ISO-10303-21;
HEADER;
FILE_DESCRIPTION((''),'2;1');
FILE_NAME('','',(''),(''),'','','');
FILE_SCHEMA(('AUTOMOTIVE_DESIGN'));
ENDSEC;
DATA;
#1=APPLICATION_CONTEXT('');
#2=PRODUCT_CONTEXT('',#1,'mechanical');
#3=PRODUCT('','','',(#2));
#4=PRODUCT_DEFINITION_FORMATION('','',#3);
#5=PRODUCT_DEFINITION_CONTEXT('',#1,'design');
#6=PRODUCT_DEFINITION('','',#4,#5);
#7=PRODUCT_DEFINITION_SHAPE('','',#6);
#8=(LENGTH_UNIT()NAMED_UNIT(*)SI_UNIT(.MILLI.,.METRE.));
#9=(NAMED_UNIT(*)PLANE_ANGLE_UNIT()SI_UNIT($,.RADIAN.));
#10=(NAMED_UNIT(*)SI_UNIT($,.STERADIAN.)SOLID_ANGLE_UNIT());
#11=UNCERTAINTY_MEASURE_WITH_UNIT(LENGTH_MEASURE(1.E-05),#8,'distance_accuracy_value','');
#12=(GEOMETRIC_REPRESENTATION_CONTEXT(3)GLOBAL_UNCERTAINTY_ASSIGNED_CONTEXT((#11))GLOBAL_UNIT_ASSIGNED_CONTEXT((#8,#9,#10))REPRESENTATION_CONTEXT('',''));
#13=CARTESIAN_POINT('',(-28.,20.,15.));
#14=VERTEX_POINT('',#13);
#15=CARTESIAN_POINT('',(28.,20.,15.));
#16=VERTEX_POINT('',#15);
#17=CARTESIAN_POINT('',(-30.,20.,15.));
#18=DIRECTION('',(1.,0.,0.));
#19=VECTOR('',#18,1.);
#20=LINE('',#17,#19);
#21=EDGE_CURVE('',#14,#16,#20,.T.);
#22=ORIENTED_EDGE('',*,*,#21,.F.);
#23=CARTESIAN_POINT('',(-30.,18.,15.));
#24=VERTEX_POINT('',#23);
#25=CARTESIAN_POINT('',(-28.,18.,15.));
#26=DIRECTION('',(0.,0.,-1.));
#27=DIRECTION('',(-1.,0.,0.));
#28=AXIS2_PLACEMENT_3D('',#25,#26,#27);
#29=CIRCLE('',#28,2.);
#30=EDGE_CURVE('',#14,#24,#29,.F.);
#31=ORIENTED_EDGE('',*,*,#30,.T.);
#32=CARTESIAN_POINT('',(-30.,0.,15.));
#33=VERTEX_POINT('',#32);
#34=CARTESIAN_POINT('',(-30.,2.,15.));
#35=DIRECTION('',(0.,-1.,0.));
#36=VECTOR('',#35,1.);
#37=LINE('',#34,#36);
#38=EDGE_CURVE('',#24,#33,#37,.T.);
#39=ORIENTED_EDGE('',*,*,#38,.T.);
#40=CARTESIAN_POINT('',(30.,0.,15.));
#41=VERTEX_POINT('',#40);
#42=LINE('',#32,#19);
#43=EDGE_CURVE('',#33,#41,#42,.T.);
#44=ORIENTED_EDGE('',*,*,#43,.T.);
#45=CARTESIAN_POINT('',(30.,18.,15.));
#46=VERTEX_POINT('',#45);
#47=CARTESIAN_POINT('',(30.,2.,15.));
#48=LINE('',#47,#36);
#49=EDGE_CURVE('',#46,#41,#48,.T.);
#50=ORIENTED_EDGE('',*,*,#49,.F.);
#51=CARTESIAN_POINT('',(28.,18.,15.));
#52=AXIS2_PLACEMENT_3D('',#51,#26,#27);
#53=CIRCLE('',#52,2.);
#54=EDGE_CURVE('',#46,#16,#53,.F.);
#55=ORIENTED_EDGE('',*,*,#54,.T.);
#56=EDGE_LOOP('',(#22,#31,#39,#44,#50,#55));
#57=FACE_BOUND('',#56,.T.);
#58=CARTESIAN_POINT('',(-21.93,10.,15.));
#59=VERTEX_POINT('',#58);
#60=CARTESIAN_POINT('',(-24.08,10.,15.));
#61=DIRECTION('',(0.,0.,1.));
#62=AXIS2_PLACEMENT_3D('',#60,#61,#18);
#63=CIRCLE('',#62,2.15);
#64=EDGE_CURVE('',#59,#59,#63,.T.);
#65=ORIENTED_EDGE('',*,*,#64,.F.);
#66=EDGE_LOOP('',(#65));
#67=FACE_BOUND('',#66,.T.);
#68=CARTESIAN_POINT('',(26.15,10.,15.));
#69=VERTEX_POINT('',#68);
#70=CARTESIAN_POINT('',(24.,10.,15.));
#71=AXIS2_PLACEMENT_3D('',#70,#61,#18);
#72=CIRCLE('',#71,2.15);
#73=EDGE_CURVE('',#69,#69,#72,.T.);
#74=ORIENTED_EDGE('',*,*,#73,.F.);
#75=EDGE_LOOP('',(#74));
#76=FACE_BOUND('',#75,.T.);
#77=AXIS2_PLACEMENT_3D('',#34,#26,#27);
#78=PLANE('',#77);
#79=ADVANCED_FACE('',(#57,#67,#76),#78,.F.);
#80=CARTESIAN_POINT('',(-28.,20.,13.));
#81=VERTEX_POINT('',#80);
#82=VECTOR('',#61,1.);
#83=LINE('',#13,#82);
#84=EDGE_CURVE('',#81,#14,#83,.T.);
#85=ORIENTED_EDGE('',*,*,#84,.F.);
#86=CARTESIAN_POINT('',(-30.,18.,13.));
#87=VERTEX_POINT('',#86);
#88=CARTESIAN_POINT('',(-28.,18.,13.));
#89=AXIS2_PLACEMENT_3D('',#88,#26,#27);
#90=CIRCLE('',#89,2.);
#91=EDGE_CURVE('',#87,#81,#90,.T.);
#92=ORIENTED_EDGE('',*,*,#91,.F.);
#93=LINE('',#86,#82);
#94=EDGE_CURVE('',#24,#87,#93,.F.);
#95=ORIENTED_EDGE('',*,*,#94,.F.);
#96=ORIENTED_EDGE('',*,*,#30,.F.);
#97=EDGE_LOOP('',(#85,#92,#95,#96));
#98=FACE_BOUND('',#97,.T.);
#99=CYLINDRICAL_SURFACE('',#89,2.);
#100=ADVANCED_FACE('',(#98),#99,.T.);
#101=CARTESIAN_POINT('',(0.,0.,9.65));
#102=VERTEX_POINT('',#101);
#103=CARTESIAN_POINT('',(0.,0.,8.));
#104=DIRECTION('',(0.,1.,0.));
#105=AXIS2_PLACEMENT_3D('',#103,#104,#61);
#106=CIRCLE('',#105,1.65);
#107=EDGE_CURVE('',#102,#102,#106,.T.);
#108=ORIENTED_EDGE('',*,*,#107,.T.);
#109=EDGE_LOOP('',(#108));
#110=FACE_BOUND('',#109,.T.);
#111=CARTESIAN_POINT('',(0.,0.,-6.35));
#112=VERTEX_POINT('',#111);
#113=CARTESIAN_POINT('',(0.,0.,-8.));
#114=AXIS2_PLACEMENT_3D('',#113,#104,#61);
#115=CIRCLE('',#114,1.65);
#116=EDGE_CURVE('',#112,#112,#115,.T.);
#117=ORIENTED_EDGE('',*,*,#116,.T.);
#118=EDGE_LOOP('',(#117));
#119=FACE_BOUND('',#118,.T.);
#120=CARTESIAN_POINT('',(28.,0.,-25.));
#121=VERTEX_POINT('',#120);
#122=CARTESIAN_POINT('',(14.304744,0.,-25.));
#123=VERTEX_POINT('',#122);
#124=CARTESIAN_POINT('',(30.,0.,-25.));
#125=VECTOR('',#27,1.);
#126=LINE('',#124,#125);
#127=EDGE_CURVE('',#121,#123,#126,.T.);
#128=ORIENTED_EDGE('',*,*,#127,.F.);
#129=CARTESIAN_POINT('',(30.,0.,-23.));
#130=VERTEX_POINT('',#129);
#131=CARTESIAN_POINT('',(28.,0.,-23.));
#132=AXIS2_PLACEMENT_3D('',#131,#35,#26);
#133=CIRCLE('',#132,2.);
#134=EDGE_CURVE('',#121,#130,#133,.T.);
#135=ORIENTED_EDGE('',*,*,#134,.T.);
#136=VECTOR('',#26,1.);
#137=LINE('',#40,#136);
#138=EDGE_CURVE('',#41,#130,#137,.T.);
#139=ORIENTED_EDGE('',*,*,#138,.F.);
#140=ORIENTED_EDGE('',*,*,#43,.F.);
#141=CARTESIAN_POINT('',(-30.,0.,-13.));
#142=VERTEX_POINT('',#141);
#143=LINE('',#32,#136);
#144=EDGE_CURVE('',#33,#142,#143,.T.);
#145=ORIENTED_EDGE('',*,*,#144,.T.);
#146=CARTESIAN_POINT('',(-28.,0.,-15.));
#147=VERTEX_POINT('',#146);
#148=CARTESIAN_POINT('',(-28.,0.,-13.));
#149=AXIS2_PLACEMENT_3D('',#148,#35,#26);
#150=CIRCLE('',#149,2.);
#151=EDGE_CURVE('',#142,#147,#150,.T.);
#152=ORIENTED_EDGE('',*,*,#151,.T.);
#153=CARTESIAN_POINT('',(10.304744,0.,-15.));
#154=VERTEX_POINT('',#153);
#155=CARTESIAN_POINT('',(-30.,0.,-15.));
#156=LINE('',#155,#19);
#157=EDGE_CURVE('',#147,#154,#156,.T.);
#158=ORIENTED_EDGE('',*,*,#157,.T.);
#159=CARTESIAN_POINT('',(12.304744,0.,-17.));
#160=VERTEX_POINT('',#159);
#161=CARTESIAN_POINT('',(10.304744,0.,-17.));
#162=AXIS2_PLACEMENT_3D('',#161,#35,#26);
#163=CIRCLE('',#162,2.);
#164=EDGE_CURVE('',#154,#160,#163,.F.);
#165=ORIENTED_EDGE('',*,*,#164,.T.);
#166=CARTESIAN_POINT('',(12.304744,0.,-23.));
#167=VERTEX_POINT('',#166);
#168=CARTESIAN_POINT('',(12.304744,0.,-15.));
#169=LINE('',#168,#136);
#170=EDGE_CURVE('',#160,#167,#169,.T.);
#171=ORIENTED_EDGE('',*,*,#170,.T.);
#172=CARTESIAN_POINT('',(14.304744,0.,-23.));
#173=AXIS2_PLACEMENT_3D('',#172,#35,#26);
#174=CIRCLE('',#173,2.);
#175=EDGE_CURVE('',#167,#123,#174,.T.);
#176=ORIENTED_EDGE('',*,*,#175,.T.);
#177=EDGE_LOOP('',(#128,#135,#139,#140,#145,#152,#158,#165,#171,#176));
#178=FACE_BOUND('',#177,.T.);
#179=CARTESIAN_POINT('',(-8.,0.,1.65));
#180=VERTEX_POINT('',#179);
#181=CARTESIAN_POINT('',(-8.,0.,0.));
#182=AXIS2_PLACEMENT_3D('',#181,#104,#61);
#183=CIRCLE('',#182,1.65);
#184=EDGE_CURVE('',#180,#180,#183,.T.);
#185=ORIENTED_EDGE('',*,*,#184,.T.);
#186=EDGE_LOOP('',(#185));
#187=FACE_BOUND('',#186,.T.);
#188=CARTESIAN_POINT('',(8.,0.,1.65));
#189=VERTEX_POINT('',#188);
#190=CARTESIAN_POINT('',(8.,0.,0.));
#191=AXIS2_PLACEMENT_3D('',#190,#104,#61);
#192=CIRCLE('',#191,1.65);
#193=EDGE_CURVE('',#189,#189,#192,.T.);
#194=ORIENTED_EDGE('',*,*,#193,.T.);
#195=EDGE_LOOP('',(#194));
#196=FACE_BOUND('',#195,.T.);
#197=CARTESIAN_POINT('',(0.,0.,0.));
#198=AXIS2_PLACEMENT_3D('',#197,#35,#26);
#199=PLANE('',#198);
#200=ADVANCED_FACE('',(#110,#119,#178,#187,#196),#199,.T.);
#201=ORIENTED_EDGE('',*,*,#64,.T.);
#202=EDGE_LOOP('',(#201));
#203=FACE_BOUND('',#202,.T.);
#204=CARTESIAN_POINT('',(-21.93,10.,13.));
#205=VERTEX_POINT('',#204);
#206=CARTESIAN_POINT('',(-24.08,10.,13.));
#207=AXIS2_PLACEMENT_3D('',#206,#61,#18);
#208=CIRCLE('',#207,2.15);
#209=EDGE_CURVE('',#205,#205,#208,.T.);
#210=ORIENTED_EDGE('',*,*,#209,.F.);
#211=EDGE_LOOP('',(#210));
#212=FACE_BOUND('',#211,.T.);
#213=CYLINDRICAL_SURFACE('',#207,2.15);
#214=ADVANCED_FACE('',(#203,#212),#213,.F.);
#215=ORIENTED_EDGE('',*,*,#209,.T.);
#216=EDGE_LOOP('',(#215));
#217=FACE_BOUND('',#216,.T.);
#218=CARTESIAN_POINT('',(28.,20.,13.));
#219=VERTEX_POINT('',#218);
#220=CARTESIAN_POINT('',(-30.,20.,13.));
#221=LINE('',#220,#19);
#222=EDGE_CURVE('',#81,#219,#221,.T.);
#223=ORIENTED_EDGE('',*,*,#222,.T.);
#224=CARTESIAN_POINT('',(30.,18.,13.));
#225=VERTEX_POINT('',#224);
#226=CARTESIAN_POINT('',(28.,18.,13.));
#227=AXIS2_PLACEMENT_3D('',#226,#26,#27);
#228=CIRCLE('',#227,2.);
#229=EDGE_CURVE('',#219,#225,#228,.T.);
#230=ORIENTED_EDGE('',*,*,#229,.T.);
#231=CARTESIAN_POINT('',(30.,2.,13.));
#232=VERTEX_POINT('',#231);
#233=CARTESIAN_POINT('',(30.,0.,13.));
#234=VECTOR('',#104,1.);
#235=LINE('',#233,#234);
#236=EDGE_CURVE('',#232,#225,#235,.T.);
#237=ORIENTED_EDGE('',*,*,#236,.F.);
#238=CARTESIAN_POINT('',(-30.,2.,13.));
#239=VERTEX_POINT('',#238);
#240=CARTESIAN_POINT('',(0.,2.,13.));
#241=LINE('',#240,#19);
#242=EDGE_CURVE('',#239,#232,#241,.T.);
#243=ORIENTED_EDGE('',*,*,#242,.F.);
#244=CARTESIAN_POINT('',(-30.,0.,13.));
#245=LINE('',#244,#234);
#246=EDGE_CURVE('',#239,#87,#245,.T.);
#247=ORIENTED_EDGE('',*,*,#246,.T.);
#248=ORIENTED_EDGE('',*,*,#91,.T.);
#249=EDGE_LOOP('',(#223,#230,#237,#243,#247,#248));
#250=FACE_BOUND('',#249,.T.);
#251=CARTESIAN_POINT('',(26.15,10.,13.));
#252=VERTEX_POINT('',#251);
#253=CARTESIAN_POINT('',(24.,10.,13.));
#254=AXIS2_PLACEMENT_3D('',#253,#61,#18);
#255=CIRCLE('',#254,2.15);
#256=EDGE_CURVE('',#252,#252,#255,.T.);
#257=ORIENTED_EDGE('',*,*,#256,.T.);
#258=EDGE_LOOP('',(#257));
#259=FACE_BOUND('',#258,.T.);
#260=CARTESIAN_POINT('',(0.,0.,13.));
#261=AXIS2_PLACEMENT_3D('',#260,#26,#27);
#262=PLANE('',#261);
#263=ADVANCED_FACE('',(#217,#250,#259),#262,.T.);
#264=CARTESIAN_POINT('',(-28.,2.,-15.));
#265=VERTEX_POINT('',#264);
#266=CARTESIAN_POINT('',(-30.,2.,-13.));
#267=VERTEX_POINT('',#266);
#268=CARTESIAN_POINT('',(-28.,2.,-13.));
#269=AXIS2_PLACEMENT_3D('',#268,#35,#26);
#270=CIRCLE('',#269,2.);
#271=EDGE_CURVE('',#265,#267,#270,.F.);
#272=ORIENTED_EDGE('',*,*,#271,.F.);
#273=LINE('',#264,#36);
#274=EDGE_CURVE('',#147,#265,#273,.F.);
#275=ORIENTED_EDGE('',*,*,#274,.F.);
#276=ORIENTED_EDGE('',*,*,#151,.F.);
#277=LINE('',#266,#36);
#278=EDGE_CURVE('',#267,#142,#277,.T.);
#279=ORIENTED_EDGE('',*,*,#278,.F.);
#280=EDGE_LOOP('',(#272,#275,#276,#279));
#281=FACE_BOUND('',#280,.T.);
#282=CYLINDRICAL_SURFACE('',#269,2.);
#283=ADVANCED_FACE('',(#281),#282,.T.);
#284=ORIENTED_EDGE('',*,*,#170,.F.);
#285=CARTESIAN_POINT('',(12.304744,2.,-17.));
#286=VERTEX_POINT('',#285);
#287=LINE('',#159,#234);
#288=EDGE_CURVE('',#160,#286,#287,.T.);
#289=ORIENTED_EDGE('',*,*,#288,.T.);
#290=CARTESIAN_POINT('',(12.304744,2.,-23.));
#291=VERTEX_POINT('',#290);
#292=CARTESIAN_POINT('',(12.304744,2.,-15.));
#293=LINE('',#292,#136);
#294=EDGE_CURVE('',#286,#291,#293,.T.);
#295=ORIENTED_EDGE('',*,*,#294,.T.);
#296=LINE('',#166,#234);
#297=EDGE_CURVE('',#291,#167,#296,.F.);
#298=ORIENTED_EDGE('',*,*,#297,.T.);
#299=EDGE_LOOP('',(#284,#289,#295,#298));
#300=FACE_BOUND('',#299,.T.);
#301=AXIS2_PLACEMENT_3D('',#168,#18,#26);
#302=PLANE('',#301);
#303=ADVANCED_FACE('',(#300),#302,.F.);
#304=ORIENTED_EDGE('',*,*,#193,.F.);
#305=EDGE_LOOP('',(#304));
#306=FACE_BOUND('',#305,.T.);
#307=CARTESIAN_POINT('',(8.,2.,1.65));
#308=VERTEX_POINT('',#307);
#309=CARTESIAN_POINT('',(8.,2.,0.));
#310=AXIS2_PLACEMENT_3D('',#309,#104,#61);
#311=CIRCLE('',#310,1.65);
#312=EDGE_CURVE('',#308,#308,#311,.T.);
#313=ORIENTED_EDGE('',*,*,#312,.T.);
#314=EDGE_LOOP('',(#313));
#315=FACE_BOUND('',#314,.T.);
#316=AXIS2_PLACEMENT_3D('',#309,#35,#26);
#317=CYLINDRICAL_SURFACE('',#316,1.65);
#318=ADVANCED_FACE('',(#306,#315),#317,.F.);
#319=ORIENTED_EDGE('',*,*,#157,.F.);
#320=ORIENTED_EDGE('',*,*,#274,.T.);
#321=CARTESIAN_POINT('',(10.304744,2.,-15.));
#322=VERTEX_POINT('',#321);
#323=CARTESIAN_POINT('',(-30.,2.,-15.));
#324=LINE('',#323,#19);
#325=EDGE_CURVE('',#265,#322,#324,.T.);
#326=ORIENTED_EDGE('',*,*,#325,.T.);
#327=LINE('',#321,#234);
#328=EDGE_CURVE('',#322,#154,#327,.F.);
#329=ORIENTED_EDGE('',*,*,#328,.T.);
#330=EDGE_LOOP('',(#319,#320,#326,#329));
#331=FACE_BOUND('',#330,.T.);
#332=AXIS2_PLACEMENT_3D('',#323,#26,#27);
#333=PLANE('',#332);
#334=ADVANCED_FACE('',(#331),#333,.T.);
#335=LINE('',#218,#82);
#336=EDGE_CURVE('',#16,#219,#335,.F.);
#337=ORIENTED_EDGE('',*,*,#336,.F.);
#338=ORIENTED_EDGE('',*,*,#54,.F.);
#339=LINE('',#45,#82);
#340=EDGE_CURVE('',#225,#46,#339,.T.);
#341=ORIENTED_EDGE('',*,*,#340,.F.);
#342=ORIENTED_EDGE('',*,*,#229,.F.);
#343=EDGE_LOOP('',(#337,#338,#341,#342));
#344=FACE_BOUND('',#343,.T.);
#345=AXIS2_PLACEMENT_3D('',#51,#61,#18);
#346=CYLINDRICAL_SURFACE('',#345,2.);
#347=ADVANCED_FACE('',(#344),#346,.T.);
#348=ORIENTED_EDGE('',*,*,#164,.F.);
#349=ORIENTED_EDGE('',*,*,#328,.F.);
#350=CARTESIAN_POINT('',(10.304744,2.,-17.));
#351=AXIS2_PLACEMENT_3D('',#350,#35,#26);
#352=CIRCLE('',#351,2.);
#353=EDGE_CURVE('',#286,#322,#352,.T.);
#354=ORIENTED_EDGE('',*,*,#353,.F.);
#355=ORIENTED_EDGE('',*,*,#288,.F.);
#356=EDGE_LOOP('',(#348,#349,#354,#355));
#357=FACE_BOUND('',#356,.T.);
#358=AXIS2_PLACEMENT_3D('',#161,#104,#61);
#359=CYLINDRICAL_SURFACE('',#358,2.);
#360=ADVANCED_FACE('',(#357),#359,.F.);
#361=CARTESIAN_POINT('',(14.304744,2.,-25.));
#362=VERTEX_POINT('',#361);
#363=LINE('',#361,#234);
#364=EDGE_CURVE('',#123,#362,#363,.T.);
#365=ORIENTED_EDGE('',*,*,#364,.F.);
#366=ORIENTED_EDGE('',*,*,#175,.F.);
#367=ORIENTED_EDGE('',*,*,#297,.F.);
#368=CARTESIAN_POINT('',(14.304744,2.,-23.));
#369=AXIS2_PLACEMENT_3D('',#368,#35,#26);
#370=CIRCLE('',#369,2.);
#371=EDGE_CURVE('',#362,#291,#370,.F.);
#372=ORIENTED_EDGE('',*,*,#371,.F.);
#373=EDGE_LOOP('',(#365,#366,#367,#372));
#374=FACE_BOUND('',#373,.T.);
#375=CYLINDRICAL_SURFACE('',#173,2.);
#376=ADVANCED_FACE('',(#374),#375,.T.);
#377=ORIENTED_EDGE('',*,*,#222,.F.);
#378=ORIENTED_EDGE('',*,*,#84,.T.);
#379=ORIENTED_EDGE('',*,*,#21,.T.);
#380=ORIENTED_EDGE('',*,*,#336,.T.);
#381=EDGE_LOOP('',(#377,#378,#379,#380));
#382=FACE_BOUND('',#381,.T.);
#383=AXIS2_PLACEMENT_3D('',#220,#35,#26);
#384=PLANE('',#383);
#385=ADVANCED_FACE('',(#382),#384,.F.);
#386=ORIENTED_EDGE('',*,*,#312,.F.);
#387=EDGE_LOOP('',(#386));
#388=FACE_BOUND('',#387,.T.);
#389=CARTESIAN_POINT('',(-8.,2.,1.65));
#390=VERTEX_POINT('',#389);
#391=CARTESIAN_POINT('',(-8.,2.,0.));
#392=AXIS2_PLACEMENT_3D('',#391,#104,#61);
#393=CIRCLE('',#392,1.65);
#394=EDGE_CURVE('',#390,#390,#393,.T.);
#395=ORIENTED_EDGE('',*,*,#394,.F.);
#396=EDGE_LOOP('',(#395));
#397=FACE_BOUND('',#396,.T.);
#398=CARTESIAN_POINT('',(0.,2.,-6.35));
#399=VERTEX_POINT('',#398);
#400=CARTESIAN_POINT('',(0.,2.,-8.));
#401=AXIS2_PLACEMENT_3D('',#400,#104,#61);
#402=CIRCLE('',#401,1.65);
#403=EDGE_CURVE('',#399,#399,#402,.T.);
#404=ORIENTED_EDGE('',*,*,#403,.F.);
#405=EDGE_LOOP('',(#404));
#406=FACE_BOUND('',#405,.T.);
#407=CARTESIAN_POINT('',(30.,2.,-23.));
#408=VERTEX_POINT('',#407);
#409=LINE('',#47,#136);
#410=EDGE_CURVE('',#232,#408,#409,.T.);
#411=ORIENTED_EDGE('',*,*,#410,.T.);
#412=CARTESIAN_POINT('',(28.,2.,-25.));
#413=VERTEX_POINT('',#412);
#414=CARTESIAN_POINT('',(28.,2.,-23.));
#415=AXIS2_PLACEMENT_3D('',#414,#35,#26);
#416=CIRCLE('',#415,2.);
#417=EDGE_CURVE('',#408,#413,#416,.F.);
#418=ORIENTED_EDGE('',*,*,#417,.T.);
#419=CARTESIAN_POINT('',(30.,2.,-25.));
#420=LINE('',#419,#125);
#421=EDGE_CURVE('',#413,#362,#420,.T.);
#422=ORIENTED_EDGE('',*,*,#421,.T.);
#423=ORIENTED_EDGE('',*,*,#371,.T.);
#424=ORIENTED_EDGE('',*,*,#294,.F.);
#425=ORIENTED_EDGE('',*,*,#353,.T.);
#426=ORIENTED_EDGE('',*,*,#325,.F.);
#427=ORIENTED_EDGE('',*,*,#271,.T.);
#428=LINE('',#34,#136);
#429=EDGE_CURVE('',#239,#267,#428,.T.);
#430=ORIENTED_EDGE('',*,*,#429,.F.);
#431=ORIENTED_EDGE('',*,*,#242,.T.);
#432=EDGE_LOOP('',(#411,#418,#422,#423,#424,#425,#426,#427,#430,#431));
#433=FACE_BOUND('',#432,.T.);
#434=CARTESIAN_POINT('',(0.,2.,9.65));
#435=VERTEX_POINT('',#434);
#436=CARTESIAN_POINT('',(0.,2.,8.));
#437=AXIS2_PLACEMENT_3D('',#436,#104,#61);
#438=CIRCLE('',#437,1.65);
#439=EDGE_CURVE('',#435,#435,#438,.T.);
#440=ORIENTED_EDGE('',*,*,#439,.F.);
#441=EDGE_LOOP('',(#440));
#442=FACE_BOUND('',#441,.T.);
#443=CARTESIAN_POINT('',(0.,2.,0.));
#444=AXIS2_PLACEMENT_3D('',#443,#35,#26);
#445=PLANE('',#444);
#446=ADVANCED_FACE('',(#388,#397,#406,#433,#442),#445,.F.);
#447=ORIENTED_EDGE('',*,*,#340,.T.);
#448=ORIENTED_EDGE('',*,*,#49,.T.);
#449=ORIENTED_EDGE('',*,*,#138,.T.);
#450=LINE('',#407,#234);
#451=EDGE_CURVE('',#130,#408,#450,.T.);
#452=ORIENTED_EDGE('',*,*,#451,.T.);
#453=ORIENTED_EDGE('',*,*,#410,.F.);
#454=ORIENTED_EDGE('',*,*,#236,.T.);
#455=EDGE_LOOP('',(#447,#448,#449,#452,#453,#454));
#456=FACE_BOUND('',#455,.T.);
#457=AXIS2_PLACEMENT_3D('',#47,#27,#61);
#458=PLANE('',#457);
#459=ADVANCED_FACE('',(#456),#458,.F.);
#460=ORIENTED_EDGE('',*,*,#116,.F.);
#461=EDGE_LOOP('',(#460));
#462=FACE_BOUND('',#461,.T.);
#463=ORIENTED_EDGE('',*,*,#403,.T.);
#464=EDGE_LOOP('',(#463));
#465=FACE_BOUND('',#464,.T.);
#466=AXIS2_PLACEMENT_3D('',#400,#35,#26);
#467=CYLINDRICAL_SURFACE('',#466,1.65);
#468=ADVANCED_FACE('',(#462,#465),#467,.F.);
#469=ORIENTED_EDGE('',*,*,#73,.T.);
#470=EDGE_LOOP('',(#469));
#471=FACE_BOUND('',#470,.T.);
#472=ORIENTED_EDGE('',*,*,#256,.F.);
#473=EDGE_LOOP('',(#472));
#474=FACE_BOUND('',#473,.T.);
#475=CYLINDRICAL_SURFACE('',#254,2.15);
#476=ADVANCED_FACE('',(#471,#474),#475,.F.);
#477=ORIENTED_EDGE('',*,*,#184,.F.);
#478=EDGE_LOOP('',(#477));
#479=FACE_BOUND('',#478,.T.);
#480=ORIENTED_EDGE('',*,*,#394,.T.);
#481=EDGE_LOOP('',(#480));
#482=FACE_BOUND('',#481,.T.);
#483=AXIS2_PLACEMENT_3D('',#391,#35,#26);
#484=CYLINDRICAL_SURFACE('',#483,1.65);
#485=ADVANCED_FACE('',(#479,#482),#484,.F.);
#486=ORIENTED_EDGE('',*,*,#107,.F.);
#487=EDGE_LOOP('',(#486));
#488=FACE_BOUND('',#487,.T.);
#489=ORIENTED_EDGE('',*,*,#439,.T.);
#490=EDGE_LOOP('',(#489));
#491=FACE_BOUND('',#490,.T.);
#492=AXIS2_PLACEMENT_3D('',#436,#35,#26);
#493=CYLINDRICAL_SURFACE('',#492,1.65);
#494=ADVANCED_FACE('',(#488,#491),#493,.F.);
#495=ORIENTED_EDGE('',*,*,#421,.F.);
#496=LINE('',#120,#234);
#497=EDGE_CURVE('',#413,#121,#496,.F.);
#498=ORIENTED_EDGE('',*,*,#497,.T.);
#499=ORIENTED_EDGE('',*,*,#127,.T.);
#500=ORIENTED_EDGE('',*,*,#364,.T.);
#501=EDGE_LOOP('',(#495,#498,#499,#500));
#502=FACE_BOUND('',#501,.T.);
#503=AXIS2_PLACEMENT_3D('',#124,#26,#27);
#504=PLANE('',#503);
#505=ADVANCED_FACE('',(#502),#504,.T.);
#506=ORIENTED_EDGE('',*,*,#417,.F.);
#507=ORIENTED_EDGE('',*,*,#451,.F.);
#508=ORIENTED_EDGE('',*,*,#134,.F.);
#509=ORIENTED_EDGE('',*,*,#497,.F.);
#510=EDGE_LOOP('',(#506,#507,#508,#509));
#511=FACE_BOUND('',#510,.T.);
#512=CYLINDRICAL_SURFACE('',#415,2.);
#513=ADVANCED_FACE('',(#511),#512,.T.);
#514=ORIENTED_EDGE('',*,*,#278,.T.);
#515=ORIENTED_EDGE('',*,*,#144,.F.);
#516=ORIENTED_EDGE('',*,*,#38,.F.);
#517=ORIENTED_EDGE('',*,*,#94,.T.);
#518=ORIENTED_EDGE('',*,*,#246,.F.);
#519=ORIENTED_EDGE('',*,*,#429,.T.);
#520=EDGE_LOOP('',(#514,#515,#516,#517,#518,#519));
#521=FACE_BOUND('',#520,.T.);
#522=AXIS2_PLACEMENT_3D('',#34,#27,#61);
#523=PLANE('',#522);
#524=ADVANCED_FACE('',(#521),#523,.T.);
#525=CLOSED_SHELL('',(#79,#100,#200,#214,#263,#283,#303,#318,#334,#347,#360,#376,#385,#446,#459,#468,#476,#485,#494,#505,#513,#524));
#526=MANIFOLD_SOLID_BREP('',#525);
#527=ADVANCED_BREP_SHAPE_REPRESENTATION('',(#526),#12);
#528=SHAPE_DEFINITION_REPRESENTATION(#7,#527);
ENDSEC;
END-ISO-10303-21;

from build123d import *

# Parameters (mm, degrees)
SKETCH_1_W      = 60
SKETCH_1_H      = 30
SKETCH_1_R      = 1.65
EXTRUDE_3_DEPTH = 2
SKETCH_3_W      = 60
SKETCH_3_H      = 20
SKETCH_3_R      = 2.15
EXTRUDE_4_DEPTH = 2
SKETCH_4_W      = 17.695256038
SKETCH_4_H      = 10
EXTRUDE_5_DEPTH = 2
FILLET_1_R      = 2
FILLET_2_R      = 2
FILLET_3_R      = 2
FILLET_4_R      = 2
FILLET_5_R      = 2
FILLET_6_R      = 2


with BuildPart() as part:
    # 草图1 → 凸台-拉伸3 (new body)
    with BuildSketch(Plane(origin=(0, 0, 0), x_dir=(1, 0, 0), z_dir=(0, 1, 0))):
        Rectangle(SKETCH_1_W, SKETCH_1_H)
        with Locations((0, 8)):
            Circle(SKETCH_1_R, mode=Mode.SUBTRACT)
        with Locations((0, -8)):
            Circle(SKETCH_1_R, mode=Mode.SUBTRACT)
        with Locations((8, 0)):
            Circle(SKETCH_1_R, mode=Mode.SUBTRACT)
        with Locations((-8, 0)):
            Circle(SKETCH_1_R, mode=Mode.SUBTRACT)
    extrude(amount=EXTRUDE_3_DEPTH)

    # 草图3 → 凸台-拉伸4 (add)
    with BuildSketch(Plane.XY.offset(15)):
        with Locations((0, 10)):
            Rectangle(SKETCH_3_W, SKETCH_3_H)
        with Locations((24, 10)):
            Circle(SKETCH_3_R, mode=Mode.SUBTRACT)
        with Locations((-24.08, 10)):
            Circle(SKETCH_3_R, mode=Mode.SUBTRACT)
    extrude(amount=-EXTRUDE_4_DEPTH)

    # 草图4 → 凸台-拉伸5 (add)
    with BuildSketch(Plane(origin=(0, 2, 0), x_dir=(1, 0, 0), z_dir=(0, 1, 0))):
        with Locations((21.152371981, 20)):
            Rectangle(SKETCH_4_W, SKETCH_4_H)
    extrude(amount=-EXTRUDE_5_DEPTH)

    # 圆角1
    fillet_1_edges = [part.edges().sort_by_distance(p)[0] for p in [
        (30, 1, -25),
    ]]
    fillet(fillet_1_edges, radius=FILLET_1_R)

    # 圆角2
    fillet_2_edges = [part.edges().sort_by_distance(p)[0] for p in [
        (12.304743962, 1, -25),
    ]]
    fillet(fillet_2_edges, radius=FILLET_2_R)

    # 圆角3
    fillet_3_edges = [part.edges().sort_by_distance(p)[0] for p in [
        (12.304743962, 1, -15),
    ]]
    fillet(fillet_3_edges, radius=FILLET_3_R)

    # 圆角4
    fillet_4_edges = [part.edges().sort_by_distance(p)[0] for p in [
        (-30, 1, -15),
    ]]
    fillet(fillet_4_edges, radius=FILLET_4_R)

    # 圆角5
    fillet_5_edges = [part.edges().sort_by_distance(p)[0] for p in [
        (-30, 20, 14),
    ]]
    fillet(fillet_5_edges, radius=FILLET_5_R)

    # 圆角6
    fillet_6_edges = [part.edges().sort_by_distance(p)[0] for p in [
        (30, 20, 14),
    ]]
    fillet(fillet_6_edges, radius=FILLET_6_R)


solid = part.part
